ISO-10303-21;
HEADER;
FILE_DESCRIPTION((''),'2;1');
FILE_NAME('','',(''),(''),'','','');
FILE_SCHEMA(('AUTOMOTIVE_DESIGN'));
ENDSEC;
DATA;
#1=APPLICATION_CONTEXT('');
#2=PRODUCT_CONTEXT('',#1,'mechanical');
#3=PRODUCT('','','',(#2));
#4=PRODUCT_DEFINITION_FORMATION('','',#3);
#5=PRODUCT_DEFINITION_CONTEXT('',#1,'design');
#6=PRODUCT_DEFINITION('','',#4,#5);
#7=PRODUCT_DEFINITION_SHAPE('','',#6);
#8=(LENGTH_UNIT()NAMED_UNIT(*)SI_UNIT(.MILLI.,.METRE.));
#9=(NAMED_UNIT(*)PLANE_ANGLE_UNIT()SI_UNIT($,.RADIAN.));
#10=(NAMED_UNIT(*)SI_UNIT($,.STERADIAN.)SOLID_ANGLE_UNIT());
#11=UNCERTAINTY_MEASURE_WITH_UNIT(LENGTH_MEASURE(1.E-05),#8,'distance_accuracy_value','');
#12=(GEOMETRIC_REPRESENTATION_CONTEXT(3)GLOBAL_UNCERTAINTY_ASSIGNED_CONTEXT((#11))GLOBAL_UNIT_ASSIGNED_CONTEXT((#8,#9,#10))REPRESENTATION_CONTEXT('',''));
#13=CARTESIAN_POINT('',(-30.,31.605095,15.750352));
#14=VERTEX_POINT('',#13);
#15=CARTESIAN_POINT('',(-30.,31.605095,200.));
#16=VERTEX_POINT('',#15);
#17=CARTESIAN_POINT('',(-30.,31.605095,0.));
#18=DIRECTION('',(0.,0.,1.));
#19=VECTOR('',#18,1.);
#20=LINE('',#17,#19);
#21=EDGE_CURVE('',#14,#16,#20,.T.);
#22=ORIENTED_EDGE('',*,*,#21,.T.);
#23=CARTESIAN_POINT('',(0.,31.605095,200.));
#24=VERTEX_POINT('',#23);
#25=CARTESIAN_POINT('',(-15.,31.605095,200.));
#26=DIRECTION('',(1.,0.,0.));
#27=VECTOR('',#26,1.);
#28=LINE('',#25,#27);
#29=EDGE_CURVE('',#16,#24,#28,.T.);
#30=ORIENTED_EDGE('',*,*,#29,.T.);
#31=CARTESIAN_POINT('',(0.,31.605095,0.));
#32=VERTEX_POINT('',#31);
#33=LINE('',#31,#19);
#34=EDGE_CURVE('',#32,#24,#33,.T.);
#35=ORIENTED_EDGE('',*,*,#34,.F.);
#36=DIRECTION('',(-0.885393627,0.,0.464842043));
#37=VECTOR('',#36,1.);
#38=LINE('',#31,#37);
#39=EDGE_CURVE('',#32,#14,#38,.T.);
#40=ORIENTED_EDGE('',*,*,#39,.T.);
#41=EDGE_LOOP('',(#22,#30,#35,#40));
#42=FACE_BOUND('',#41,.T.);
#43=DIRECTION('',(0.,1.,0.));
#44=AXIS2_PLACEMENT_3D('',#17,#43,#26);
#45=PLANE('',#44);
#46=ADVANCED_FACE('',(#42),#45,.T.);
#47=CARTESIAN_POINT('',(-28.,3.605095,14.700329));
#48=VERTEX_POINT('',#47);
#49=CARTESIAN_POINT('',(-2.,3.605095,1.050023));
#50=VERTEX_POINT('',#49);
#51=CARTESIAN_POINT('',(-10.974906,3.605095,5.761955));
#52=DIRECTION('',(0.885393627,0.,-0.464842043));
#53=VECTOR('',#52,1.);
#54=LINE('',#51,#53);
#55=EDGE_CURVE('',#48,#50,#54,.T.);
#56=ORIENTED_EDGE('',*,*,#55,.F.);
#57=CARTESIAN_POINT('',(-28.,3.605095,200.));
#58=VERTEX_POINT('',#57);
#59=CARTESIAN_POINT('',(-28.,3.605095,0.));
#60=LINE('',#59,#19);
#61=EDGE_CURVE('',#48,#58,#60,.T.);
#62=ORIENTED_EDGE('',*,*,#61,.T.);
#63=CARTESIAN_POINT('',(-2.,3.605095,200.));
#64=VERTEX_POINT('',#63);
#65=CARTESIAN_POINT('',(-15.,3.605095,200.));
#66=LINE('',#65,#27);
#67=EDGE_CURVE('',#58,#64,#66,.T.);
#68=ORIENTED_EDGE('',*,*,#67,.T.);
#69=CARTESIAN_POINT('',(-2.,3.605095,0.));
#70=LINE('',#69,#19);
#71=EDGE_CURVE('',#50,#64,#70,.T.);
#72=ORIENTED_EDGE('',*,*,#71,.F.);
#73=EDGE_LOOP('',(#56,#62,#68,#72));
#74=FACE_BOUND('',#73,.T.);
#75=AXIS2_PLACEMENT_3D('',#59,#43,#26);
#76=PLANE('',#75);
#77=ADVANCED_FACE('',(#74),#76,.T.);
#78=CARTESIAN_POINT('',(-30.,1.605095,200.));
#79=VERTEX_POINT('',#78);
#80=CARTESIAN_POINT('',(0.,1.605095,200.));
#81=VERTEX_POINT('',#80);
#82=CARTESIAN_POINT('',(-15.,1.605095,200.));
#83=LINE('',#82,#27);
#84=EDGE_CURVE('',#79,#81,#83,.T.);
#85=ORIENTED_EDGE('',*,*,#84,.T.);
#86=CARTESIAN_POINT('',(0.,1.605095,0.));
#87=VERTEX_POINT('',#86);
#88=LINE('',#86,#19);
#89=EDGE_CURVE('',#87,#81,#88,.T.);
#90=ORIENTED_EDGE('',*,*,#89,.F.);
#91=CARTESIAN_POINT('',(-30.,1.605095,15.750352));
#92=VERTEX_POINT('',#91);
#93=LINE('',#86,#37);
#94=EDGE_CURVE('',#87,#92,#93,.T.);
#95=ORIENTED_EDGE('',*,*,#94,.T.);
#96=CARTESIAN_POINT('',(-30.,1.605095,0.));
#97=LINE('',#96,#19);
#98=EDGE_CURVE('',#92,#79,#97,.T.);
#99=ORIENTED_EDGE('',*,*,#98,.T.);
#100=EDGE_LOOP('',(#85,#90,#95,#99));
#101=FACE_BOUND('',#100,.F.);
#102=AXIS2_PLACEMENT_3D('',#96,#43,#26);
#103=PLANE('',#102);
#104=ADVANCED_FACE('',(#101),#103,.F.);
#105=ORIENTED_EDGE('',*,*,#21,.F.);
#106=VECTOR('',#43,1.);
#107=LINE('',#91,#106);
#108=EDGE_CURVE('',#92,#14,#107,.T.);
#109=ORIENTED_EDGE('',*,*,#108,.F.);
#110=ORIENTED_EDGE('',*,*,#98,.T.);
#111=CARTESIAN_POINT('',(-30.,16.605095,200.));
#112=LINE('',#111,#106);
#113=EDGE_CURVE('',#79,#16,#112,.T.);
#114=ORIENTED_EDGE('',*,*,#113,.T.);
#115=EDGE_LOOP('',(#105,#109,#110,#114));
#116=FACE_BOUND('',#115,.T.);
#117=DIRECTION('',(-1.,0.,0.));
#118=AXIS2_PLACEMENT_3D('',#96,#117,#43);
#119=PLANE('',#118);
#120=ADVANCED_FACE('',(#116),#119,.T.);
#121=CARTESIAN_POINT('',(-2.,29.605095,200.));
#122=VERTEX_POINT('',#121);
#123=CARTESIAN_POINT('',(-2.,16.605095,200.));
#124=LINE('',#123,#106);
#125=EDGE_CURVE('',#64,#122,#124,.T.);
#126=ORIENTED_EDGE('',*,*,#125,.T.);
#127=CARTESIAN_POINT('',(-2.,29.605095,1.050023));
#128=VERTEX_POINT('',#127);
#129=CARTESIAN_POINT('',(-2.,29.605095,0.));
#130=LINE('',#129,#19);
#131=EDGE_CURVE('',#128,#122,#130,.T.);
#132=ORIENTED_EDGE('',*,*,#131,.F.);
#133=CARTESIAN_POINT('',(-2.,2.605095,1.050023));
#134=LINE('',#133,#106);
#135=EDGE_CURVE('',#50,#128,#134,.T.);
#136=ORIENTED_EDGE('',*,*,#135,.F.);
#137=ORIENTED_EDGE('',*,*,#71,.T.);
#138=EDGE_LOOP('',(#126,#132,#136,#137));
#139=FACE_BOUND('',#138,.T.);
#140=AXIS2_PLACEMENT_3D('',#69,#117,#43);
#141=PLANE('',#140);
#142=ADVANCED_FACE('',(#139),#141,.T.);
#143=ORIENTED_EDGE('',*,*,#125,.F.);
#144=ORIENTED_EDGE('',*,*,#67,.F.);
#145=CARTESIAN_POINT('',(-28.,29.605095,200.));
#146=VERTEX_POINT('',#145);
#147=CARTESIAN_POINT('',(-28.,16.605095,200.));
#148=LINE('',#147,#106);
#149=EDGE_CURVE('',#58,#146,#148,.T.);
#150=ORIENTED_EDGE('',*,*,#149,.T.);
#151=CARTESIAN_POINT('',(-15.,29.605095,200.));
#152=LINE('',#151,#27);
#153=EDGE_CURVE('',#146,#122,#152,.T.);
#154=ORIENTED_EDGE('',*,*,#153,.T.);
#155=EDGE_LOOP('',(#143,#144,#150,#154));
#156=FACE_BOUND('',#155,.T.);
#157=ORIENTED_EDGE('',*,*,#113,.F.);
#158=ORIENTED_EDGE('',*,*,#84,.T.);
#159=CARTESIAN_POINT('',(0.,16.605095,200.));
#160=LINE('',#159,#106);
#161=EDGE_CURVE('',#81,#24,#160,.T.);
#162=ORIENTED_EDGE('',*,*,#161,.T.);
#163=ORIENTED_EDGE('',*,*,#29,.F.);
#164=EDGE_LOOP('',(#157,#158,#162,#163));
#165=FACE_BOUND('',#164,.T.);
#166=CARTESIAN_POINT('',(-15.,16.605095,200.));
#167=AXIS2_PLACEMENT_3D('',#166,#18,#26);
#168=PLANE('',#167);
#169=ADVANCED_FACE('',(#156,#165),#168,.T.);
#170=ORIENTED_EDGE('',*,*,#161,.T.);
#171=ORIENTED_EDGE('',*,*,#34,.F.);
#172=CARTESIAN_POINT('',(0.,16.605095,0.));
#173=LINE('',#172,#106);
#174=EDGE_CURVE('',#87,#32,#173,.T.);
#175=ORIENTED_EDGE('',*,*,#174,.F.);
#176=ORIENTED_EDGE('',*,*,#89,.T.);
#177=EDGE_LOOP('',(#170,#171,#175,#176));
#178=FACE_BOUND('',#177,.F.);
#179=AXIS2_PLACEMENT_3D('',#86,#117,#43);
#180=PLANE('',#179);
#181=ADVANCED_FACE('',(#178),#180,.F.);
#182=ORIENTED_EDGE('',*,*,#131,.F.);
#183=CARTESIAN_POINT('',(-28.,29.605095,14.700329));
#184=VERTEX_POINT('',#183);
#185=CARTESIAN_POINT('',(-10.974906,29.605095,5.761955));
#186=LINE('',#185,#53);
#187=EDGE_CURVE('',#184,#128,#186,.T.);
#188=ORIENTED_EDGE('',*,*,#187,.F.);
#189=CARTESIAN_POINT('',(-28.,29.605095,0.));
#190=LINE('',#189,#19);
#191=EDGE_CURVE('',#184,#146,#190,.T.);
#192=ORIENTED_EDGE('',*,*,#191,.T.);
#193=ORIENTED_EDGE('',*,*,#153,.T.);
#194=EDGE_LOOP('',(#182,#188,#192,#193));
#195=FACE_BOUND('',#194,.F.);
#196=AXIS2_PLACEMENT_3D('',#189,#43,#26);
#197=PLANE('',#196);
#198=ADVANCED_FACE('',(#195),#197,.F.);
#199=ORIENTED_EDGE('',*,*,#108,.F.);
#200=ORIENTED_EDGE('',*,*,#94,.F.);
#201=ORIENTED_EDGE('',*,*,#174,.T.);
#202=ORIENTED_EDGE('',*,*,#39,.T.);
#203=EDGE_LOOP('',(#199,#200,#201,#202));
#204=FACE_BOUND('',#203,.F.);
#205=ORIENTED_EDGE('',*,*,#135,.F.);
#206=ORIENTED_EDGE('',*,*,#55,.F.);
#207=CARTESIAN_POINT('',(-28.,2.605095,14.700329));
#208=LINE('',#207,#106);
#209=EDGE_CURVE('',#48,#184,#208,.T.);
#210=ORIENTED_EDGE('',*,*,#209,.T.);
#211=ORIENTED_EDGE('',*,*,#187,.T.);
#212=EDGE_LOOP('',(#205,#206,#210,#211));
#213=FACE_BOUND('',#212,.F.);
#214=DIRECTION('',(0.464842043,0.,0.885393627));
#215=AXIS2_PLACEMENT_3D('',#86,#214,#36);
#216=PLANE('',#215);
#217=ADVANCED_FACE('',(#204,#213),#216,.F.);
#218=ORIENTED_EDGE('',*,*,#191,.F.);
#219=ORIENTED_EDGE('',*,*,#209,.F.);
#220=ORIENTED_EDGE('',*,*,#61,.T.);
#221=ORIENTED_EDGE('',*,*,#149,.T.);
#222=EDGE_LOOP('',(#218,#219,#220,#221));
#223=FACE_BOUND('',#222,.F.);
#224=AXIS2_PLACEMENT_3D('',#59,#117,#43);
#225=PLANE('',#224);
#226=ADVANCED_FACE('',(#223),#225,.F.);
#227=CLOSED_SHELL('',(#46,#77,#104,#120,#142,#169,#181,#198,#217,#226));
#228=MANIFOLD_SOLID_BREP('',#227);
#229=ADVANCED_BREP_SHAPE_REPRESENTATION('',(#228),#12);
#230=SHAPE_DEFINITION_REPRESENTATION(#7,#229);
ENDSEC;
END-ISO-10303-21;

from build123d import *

# Parameters (mm, degrees)
F0_W     = 30
F0_H     = 30
F0_W_2   = 26
F0_H_2   = 26
F1_DEPTH = 200
F3_DEPTH = 30


with BuildPart() as f1:
    # F0 (on Top) → F1 (new body)
    with BuildSketch(Plane.XY):
        with Locations((-15, 16.605095)):
            Rectangle(F0_W, F0_H)
        with Locations((-15, 16.605095)):
            Rectangle(F0_W_2, F0_H_2, mode=Mode.SUBTRACT)
    extrude(amount=F1_DEPTH)

    # F2 (on face) → F3 (cut, through all)
    with BuildSketch(Plane.XZ.offset(-1.605095)):
        Polygon((-30, 0), (0, 0), (-30, 15.750352), align=None)
    extrude(amount=-F3_DEPTH, mode=Mode.SUBTRACT)


solid = f1.part
